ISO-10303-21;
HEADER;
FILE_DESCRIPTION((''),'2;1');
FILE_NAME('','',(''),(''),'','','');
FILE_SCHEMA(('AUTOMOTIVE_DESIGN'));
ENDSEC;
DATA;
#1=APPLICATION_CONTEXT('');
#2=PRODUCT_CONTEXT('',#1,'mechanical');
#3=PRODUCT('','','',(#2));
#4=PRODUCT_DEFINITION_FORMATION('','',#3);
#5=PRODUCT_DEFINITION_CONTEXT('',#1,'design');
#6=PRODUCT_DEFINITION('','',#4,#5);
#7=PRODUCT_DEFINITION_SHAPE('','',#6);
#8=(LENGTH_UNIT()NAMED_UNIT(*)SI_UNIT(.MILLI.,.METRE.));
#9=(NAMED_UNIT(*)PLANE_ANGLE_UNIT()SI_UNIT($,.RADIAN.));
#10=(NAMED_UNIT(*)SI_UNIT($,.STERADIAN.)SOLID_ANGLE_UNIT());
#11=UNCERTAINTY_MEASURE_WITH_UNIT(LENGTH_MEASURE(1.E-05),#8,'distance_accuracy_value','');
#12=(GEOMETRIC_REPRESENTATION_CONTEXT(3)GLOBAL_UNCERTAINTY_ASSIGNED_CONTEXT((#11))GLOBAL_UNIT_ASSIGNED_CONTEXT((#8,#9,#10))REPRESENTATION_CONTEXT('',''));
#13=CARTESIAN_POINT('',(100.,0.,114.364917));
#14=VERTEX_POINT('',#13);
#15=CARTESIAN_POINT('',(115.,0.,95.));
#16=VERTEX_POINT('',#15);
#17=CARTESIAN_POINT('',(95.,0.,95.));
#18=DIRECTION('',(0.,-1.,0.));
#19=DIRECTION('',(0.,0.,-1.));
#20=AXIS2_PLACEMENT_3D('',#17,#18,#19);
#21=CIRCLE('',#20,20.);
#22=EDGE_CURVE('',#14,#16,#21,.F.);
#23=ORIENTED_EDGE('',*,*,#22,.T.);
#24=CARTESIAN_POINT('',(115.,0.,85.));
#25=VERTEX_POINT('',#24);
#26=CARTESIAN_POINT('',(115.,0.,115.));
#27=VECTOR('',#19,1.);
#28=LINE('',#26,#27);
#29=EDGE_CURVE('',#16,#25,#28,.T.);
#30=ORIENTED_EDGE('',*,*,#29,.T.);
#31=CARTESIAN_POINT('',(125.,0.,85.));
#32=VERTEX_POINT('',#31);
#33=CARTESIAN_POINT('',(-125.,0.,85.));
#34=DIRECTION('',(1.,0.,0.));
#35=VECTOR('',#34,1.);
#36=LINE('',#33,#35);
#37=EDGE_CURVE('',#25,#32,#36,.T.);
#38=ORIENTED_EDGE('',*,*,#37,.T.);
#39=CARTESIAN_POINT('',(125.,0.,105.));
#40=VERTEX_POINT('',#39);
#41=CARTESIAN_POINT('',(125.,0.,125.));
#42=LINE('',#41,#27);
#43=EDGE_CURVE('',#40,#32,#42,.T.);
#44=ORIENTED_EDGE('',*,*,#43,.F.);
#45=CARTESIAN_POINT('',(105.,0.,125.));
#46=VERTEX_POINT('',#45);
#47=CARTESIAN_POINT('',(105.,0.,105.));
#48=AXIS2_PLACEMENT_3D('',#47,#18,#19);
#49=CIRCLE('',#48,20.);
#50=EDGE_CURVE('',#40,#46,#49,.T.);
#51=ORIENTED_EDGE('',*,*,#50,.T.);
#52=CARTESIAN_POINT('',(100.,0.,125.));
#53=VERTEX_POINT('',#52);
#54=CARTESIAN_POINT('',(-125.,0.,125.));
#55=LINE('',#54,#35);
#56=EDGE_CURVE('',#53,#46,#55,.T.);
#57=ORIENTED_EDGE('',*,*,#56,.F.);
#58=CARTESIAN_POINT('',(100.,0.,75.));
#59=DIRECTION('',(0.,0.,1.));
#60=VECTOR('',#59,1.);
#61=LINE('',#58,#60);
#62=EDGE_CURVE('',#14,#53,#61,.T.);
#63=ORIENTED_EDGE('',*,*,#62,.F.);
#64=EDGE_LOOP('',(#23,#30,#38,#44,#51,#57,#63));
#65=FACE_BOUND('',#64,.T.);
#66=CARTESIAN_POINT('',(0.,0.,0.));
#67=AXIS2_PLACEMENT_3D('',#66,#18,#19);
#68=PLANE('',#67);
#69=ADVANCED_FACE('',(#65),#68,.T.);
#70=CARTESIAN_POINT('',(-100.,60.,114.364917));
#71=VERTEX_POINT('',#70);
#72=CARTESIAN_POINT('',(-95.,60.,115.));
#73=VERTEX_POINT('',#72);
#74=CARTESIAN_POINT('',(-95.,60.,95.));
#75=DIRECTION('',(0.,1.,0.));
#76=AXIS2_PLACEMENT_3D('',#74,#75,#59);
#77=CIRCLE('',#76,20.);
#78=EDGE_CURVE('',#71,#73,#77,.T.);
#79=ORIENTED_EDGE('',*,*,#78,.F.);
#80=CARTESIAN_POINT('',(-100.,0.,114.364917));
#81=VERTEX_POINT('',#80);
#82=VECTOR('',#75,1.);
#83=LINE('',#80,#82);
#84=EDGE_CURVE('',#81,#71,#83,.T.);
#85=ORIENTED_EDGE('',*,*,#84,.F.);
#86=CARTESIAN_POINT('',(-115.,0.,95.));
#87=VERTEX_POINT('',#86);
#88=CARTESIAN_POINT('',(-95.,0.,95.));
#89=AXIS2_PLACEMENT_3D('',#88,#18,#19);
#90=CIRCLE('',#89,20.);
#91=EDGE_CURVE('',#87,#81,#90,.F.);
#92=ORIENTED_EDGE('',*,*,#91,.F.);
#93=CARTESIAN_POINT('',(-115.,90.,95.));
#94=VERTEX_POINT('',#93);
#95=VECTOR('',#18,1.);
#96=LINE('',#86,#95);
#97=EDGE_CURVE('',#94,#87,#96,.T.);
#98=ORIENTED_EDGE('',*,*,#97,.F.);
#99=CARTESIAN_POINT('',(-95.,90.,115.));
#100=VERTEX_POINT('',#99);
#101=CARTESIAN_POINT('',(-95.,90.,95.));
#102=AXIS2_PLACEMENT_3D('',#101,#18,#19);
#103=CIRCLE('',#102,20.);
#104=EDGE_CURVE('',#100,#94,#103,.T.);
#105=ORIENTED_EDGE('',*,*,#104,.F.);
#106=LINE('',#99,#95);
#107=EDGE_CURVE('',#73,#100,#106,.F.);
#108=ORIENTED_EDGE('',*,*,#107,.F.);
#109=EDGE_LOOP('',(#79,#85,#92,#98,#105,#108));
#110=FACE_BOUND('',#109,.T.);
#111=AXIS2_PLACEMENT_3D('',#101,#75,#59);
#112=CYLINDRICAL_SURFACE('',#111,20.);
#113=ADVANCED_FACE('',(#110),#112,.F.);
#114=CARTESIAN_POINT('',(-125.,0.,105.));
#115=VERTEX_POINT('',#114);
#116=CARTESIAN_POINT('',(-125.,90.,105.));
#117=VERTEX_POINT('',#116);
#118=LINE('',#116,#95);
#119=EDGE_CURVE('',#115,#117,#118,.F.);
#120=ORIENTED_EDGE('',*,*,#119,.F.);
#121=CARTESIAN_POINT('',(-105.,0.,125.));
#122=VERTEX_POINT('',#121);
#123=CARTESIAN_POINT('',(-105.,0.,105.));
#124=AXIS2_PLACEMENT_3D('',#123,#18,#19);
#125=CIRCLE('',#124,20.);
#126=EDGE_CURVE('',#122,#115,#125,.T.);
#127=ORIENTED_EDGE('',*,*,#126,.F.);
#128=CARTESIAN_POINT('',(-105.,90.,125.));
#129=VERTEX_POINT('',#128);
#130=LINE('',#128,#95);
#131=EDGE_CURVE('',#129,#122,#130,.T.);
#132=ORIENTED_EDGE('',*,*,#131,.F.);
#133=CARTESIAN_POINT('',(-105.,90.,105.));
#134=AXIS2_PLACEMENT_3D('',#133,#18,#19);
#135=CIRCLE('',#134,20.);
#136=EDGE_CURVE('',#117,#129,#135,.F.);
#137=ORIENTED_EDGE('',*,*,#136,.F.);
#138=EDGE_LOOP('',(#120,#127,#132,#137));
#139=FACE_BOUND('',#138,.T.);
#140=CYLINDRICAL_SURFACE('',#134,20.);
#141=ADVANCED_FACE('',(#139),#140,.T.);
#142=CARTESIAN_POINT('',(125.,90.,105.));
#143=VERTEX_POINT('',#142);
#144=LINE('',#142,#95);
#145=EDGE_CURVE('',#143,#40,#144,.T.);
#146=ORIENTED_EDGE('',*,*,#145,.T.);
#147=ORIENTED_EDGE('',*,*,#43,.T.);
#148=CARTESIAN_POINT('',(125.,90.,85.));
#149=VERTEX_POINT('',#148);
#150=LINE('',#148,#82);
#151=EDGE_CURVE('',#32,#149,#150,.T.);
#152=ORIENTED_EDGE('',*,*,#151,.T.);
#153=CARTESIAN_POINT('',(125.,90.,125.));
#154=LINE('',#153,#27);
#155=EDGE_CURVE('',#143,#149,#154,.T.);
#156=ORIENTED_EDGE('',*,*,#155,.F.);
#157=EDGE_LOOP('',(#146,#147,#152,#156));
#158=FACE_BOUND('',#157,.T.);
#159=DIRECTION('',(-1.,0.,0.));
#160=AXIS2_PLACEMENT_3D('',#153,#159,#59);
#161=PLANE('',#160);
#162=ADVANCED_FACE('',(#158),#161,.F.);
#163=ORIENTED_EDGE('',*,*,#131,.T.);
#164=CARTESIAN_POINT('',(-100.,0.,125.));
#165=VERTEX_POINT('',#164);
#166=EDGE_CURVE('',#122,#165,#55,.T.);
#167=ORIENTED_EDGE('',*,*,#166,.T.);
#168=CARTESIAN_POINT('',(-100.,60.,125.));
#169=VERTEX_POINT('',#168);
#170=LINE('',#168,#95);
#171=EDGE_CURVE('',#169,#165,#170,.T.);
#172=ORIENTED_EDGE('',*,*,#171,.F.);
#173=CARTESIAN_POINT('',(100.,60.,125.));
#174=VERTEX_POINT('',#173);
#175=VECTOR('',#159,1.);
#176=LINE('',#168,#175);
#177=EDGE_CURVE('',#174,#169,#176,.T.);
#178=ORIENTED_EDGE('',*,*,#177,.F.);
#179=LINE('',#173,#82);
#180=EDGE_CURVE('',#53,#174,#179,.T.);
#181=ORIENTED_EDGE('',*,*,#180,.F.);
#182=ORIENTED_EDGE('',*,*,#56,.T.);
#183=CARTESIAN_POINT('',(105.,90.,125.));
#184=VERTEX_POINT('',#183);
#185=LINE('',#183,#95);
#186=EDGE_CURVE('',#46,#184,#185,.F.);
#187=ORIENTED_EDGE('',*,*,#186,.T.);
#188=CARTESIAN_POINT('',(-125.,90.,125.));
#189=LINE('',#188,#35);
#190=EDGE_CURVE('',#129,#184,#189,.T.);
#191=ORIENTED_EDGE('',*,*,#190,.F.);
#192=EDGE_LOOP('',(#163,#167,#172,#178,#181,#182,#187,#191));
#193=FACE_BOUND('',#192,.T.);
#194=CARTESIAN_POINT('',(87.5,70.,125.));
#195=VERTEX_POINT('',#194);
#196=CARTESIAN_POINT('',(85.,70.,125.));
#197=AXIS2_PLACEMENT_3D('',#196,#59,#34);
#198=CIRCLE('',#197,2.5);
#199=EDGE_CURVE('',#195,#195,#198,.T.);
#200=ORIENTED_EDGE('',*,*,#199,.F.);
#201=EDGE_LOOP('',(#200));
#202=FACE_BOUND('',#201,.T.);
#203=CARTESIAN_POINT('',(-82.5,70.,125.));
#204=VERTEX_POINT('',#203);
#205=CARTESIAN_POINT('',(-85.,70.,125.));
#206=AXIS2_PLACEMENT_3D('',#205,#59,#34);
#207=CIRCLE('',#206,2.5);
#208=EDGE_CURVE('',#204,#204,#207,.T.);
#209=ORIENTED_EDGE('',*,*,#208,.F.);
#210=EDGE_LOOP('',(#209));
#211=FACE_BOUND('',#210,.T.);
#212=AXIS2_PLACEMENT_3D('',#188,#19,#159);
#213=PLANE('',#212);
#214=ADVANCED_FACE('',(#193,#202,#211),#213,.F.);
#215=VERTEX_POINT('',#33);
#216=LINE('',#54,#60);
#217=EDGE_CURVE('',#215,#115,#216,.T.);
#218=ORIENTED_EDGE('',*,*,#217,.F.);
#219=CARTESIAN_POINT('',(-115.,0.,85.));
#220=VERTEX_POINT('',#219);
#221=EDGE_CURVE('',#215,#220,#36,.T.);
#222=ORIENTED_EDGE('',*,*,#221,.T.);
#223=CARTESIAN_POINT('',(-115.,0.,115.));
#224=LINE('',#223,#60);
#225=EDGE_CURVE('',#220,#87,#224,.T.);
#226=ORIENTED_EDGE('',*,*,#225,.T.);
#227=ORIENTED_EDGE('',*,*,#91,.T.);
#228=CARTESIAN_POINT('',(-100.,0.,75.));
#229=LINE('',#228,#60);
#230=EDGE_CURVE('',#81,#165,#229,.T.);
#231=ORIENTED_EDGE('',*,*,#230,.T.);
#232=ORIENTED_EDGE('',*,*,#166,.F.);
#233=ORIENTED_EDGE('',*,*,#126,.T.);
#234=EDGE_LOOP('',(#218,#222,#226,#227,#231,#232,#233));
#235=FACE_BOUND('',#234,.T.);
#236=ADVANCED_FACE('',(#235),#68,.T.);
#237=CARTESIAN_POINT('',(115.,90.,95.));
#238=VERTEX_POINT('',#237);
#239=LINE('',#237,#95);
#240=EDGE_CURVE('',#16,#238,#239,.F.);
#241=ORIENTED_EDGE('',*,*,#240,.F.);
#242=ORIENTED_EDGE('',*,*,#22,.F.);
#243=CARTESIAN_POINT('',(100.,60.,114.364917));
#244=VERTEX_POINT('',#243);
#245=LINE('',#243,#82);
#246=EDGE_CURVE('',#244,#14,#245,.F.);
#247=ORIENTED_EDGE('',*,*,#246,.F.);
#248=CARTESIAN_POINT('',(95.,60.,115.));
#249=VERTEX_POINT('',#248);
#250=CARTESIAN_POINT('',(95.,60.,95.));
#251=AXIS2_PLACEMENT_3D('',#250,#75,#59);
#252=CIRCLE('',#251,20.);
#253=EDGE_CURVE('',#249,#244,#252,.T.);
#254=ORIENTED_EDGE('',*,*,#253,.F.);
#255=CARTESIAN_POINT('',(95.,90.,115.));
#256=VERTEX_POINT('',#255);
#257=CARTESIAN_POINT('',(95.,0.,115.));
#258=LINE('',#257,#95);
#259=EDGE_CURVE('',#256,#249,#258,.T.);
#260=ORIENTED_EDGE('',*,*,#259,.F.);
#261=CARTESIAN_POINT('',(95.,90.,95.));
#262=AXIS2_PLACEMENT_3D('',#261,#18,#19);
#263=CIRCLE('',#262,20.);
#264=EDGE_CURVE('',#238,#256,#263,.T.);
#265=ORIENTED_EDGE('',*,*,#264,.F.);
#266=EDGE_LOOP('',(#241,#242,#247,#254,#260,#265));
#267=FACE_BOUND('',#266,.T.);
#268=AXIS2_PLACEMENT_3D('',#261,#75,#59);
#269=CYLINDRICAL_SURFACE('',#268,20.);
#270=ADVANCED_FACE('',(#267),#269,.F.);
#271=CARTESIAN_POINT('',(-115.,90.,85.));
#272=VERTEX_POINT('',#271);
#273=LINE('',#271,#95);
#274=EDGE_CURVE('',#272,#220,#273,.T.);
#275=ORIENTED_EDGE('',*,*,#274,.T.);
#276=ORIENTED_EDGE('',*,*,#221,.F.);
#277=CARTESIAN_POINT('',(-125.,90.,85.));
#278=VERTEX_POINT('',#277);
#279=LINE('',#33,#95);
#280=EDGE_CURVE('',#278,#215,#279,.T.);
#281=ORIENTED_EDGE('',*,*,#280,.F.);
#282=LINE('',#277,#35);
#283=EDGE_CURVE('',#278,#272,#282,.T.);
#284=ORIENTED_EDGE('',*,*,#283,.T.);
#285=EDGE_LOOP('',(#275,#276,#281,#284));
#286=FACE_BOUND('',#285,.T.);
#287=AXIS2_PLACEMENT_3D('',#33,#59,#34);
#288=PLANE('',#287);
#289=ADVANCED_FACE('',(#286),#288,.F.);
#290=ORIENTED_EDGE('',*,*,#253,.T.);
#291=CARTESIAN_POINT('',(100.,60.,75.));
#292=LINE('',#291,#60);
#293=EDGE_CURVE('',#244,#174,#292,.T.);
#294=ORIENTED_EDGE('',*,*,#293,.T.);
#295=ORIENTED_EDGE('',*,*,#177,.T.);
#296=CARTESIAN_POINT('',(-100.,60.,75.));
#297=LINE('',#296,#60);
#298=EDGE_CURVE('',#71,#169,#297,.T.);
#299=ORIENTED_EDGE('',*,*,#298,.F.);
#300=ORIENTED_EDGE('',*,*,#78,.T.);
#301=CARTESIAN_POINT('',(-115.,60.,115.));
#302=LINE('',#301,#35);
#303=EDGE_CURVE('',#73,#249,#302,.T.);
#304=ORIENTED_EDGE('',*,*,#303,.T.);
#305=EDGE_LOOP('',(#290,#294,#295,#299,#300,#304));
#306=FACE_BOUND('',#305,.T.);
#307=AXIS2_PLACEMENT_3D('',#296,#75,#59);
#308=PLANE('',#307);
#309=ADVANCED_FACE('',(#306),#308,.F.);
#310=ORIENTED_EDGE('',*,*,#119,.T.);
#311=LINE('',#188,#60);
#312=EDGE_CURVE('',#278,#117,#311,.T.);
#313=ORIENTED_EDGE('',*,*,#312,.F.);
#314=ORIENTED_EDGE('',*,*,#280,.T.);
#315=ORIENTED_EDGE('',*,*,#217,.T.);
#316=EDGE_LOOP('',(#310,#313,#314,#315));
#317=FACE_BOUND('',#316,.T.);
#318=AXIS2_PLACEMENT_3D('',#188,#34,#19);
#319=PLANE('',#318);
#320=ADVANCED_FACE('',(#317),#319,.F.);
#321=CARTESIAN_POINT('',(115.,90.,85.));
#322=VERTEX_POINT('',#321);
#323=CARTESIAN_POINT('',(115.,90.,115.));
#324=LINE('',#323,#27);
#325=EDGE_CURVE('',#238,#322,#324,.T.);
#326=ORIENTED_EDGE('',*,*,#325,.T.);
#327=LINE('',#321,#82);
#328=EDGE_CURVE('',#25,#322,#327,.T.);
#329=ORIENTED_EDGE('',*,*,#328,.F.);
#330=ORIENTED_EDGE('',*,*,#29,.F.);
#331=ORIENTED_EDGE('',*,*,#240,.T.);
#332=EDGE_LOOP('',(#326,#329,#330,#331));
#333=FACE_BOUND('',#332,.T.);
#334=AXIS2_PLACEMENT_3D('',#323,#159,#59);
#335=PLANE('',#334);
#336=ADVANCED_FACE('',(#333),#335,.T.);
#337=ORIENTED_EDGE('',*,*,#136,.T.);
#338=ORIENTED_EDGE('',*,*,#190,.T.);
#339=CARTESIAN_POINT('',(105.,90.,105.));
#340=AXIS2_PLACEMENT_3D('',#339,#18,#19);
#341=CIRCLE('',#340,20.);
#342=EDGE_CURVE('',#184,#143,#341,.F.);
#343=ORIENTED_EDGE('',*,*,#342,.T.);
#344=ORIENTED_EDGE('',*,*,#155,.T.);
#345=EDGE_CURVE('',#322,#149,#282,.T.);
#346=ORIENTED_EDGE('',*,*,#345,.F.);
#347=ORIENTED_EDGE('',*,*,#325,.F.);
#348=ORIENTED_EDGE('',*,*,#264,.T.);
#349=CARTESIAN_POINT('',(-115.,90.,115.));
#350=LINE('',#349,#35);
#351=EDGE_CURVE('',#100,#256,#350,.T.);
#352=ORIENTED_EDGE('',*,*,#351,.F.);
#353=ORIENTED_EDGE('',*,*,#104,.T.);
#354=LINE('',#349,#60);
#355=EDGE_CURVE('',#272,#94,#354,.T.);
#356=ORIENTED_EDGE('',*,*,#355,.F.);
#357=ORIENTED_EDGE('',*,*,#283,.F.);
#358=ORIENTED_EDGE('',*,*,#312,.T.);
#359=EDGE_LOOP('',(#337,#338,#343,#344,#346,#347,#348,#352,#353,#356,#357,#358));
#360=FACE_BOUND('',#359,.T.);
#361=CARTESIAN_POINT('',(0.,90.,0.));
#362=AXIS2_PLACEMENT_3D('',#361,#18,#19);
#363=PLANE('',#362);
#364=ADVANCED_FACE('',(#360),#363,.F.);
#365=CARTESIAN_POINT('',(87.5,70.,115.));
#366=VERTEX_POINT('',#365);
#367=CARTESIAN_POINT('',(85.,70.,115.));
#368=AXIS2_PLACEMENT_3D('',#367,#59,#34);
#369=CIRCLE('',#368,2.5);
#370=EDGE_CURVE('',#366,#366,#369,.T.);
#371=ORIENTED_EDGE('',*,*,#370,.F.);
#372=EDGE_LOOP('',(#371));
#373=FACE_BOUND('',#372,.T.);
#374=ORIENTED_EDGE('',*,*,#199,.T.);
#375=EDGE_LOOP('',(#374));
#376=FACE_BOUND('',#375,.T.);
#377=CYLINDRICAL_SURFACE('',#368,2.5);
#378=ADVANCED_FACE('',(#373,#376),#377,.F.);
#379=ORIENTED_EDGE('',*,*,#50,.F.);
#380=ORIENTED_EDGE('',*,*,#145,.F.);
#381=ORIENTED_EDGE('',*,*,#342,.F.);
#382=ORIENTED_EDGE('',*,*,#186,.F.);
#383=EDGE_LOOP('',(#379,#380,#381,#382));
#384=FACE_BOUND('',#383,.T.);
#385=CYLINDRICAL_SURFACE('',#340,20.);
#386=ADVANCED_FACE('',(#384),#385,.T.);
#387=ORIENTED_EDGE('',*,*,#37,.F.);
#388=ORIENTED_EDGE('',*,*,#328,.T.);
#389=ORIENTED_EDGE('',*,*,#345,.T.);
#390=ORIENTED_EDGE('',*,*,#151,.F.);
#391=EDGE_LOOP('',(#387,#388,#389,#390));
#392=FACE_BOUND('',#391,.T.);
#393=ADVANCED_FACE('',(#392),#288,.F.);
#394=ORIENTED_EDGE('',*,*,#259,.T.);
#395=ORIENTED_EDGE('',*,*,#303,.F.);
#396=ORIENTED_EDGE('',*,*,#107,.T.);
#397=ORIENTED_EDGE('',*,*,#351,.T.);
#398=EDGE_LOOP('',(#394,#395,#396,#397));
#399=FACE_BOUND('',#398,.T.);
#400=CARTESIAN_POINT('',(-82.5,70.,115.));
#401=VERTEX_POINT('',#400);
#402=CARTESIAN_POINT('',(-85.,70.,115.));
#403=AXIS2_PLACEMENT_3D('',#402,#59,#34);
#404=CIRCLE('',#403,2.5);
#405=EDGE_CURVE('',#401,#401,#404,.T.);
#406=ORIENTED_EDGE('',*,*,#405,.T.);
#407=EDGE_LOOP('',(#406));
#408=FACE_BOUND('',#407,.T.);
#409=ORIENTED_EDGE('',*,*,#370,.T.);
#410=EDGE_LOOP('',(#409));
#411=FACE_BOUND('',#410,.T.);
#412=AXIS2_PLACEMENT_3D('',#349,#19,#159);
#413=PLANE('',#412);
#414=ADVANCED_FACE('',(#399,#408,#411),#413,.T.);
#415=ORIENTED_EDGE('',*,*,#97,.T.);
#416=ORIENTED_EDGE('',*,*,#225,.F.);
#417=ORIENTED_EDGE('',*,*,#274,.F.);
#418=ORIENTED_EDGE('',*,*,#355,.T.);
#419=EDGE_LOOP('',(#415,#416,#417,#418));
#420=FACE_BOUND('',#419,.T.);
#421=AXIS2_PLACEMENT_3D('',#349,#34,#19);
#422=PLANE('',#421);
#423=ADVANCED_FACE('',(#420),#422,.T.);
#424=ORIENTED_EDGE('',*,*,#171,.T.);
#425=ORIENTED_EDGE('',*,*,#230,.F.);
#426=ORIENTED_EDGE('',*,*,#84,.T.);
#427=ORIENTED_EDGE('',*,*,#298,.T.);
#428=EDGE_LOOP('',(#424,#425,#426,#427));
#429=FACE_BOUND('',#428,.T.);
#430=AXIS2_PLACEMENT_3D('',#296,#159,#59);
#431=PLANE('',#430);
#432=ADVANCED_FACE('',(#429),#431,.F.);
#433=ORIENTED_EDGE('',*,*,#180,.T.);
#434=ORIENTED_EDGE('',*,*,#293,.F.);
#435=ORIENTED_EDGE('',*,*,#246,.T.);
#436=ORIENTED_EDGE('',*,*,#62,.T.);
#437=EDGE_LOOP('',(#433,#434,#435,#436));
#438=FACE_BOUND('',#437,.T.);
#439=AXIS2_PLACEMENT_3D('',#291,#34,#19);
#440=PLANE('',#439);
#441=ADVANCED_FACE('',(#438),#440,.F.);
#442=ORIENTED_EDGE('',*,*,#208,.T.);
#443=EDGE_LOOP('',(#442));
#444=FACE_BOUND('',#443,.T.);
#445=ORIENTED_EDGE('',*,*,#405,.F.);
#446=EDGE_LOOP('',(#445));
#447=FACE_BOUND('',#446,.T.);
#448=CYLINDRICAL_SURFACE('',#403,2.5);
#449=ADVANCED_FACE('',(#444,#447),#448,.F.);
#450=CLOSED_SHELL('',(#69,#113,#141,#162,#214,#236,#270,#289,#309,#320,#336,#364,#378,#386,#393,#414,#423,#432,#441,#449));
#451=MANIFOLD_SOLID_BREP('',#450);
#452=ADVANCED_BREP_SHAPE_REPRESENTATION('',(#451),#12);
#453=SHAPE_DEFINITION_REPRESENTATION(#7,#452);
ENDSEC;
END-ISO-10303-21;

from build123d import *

# Parameters (mm, degrees)
SKETCH1_W               = 250
SKETCH1_H               = 250
SKETCH1_W_2             = 230
SKETCH1_H_2             = 230
BOSS_EXTRUDE1_DEPTH     = 90
SKETCH2_W               = 200
SKETCH2_H               = 60
CUT_EXTRUDE1_DEPTH      = 50
FILLET1_R               = 20
SKETCH10_W              = 210
SKETCH10_H              = 90
CUT_EXTRUDE6_DEPTH      = 1
CUT_EXTRUDE6_DEPTH_BACK = 251
SKETCH11_R              = 2.5
CUT_EXTRUDE7_DEPTH      = 10


with BuildPart() as part:
    # Sketch1 → Boss-Extrude1 (new body)
    with BuildSketch(Plane(origin=(0, 0, 0), x_dir=(1, 0, 0), z_dir=(0, 1, 0))):
        Rectangle(SKETCH1_W, SKETCH1_H)
        Rectangle(SKETCH1_W_2, SKETCH1_H_2, mode=Mode.SUBTRACT)
    extrude(amount=BOSS_EXTRUDE1_DEPTH)

    # Sketch2 → Cut-Extrude1 (cut)
    with BuildSketch(Plane.XY.offset(125)):
        with Locations((0, 30)):
            Rectangle(SKETCH2_W, SKETCH2_H)
    extrude(amount=-CUT_EXTRUDE1_DEPTH, mode=Mode.SUBTRACT)

    # Fillet1
    fillet1_edges = [part.edges().sort_by_distance(p)[0] for p in [
        (-115, 45, 115),
        (115, 45, 115),
        (115, 45, -115),
        (-115, 45, -115),
        (-125, 45, 125),
        (125, 45, 125),
        (125, 45, -125),
        (-125, 45, -125),
    ]]
    fillet(fillet1_edges, radius=FILLET1_R)

    # Sketch10 → Cut-Extrude6 (cut, two sides)
    with BuildSketch(Plane(origin=(125, 0, 0), x_dir=(0, 0, -1), z_dir=(1, 0, 0))) as cut_extrude6_sk:
        with Locations((20, 45)):
            Rectangle(SKETCH10_W, SKETCH10_H)
    extrude(amount=CUT_EXTRUDE6_DEPTH, mode=Mode.SUBTRACT)
    extrude(cut_extrude6_sk.sketch, amount=-CUT_EXTRUDE6_DEPTH_BACK, mode=Mode.SUBTRACT)

    # Sketch11 → Cut-Extrude7 (cut)
    with BuildSketch(Plane.XY.offset(125)):
        with Locations((-85, 70)):
            Circle(SKETCH11_R)
        with Locations((85, 70)):
            Circle(SKETCH11_R)
    extrude(amount=-CUT_EXTRUDE7_DEPTH, mode=Mode.SUBTRACT)


solid = part.part
